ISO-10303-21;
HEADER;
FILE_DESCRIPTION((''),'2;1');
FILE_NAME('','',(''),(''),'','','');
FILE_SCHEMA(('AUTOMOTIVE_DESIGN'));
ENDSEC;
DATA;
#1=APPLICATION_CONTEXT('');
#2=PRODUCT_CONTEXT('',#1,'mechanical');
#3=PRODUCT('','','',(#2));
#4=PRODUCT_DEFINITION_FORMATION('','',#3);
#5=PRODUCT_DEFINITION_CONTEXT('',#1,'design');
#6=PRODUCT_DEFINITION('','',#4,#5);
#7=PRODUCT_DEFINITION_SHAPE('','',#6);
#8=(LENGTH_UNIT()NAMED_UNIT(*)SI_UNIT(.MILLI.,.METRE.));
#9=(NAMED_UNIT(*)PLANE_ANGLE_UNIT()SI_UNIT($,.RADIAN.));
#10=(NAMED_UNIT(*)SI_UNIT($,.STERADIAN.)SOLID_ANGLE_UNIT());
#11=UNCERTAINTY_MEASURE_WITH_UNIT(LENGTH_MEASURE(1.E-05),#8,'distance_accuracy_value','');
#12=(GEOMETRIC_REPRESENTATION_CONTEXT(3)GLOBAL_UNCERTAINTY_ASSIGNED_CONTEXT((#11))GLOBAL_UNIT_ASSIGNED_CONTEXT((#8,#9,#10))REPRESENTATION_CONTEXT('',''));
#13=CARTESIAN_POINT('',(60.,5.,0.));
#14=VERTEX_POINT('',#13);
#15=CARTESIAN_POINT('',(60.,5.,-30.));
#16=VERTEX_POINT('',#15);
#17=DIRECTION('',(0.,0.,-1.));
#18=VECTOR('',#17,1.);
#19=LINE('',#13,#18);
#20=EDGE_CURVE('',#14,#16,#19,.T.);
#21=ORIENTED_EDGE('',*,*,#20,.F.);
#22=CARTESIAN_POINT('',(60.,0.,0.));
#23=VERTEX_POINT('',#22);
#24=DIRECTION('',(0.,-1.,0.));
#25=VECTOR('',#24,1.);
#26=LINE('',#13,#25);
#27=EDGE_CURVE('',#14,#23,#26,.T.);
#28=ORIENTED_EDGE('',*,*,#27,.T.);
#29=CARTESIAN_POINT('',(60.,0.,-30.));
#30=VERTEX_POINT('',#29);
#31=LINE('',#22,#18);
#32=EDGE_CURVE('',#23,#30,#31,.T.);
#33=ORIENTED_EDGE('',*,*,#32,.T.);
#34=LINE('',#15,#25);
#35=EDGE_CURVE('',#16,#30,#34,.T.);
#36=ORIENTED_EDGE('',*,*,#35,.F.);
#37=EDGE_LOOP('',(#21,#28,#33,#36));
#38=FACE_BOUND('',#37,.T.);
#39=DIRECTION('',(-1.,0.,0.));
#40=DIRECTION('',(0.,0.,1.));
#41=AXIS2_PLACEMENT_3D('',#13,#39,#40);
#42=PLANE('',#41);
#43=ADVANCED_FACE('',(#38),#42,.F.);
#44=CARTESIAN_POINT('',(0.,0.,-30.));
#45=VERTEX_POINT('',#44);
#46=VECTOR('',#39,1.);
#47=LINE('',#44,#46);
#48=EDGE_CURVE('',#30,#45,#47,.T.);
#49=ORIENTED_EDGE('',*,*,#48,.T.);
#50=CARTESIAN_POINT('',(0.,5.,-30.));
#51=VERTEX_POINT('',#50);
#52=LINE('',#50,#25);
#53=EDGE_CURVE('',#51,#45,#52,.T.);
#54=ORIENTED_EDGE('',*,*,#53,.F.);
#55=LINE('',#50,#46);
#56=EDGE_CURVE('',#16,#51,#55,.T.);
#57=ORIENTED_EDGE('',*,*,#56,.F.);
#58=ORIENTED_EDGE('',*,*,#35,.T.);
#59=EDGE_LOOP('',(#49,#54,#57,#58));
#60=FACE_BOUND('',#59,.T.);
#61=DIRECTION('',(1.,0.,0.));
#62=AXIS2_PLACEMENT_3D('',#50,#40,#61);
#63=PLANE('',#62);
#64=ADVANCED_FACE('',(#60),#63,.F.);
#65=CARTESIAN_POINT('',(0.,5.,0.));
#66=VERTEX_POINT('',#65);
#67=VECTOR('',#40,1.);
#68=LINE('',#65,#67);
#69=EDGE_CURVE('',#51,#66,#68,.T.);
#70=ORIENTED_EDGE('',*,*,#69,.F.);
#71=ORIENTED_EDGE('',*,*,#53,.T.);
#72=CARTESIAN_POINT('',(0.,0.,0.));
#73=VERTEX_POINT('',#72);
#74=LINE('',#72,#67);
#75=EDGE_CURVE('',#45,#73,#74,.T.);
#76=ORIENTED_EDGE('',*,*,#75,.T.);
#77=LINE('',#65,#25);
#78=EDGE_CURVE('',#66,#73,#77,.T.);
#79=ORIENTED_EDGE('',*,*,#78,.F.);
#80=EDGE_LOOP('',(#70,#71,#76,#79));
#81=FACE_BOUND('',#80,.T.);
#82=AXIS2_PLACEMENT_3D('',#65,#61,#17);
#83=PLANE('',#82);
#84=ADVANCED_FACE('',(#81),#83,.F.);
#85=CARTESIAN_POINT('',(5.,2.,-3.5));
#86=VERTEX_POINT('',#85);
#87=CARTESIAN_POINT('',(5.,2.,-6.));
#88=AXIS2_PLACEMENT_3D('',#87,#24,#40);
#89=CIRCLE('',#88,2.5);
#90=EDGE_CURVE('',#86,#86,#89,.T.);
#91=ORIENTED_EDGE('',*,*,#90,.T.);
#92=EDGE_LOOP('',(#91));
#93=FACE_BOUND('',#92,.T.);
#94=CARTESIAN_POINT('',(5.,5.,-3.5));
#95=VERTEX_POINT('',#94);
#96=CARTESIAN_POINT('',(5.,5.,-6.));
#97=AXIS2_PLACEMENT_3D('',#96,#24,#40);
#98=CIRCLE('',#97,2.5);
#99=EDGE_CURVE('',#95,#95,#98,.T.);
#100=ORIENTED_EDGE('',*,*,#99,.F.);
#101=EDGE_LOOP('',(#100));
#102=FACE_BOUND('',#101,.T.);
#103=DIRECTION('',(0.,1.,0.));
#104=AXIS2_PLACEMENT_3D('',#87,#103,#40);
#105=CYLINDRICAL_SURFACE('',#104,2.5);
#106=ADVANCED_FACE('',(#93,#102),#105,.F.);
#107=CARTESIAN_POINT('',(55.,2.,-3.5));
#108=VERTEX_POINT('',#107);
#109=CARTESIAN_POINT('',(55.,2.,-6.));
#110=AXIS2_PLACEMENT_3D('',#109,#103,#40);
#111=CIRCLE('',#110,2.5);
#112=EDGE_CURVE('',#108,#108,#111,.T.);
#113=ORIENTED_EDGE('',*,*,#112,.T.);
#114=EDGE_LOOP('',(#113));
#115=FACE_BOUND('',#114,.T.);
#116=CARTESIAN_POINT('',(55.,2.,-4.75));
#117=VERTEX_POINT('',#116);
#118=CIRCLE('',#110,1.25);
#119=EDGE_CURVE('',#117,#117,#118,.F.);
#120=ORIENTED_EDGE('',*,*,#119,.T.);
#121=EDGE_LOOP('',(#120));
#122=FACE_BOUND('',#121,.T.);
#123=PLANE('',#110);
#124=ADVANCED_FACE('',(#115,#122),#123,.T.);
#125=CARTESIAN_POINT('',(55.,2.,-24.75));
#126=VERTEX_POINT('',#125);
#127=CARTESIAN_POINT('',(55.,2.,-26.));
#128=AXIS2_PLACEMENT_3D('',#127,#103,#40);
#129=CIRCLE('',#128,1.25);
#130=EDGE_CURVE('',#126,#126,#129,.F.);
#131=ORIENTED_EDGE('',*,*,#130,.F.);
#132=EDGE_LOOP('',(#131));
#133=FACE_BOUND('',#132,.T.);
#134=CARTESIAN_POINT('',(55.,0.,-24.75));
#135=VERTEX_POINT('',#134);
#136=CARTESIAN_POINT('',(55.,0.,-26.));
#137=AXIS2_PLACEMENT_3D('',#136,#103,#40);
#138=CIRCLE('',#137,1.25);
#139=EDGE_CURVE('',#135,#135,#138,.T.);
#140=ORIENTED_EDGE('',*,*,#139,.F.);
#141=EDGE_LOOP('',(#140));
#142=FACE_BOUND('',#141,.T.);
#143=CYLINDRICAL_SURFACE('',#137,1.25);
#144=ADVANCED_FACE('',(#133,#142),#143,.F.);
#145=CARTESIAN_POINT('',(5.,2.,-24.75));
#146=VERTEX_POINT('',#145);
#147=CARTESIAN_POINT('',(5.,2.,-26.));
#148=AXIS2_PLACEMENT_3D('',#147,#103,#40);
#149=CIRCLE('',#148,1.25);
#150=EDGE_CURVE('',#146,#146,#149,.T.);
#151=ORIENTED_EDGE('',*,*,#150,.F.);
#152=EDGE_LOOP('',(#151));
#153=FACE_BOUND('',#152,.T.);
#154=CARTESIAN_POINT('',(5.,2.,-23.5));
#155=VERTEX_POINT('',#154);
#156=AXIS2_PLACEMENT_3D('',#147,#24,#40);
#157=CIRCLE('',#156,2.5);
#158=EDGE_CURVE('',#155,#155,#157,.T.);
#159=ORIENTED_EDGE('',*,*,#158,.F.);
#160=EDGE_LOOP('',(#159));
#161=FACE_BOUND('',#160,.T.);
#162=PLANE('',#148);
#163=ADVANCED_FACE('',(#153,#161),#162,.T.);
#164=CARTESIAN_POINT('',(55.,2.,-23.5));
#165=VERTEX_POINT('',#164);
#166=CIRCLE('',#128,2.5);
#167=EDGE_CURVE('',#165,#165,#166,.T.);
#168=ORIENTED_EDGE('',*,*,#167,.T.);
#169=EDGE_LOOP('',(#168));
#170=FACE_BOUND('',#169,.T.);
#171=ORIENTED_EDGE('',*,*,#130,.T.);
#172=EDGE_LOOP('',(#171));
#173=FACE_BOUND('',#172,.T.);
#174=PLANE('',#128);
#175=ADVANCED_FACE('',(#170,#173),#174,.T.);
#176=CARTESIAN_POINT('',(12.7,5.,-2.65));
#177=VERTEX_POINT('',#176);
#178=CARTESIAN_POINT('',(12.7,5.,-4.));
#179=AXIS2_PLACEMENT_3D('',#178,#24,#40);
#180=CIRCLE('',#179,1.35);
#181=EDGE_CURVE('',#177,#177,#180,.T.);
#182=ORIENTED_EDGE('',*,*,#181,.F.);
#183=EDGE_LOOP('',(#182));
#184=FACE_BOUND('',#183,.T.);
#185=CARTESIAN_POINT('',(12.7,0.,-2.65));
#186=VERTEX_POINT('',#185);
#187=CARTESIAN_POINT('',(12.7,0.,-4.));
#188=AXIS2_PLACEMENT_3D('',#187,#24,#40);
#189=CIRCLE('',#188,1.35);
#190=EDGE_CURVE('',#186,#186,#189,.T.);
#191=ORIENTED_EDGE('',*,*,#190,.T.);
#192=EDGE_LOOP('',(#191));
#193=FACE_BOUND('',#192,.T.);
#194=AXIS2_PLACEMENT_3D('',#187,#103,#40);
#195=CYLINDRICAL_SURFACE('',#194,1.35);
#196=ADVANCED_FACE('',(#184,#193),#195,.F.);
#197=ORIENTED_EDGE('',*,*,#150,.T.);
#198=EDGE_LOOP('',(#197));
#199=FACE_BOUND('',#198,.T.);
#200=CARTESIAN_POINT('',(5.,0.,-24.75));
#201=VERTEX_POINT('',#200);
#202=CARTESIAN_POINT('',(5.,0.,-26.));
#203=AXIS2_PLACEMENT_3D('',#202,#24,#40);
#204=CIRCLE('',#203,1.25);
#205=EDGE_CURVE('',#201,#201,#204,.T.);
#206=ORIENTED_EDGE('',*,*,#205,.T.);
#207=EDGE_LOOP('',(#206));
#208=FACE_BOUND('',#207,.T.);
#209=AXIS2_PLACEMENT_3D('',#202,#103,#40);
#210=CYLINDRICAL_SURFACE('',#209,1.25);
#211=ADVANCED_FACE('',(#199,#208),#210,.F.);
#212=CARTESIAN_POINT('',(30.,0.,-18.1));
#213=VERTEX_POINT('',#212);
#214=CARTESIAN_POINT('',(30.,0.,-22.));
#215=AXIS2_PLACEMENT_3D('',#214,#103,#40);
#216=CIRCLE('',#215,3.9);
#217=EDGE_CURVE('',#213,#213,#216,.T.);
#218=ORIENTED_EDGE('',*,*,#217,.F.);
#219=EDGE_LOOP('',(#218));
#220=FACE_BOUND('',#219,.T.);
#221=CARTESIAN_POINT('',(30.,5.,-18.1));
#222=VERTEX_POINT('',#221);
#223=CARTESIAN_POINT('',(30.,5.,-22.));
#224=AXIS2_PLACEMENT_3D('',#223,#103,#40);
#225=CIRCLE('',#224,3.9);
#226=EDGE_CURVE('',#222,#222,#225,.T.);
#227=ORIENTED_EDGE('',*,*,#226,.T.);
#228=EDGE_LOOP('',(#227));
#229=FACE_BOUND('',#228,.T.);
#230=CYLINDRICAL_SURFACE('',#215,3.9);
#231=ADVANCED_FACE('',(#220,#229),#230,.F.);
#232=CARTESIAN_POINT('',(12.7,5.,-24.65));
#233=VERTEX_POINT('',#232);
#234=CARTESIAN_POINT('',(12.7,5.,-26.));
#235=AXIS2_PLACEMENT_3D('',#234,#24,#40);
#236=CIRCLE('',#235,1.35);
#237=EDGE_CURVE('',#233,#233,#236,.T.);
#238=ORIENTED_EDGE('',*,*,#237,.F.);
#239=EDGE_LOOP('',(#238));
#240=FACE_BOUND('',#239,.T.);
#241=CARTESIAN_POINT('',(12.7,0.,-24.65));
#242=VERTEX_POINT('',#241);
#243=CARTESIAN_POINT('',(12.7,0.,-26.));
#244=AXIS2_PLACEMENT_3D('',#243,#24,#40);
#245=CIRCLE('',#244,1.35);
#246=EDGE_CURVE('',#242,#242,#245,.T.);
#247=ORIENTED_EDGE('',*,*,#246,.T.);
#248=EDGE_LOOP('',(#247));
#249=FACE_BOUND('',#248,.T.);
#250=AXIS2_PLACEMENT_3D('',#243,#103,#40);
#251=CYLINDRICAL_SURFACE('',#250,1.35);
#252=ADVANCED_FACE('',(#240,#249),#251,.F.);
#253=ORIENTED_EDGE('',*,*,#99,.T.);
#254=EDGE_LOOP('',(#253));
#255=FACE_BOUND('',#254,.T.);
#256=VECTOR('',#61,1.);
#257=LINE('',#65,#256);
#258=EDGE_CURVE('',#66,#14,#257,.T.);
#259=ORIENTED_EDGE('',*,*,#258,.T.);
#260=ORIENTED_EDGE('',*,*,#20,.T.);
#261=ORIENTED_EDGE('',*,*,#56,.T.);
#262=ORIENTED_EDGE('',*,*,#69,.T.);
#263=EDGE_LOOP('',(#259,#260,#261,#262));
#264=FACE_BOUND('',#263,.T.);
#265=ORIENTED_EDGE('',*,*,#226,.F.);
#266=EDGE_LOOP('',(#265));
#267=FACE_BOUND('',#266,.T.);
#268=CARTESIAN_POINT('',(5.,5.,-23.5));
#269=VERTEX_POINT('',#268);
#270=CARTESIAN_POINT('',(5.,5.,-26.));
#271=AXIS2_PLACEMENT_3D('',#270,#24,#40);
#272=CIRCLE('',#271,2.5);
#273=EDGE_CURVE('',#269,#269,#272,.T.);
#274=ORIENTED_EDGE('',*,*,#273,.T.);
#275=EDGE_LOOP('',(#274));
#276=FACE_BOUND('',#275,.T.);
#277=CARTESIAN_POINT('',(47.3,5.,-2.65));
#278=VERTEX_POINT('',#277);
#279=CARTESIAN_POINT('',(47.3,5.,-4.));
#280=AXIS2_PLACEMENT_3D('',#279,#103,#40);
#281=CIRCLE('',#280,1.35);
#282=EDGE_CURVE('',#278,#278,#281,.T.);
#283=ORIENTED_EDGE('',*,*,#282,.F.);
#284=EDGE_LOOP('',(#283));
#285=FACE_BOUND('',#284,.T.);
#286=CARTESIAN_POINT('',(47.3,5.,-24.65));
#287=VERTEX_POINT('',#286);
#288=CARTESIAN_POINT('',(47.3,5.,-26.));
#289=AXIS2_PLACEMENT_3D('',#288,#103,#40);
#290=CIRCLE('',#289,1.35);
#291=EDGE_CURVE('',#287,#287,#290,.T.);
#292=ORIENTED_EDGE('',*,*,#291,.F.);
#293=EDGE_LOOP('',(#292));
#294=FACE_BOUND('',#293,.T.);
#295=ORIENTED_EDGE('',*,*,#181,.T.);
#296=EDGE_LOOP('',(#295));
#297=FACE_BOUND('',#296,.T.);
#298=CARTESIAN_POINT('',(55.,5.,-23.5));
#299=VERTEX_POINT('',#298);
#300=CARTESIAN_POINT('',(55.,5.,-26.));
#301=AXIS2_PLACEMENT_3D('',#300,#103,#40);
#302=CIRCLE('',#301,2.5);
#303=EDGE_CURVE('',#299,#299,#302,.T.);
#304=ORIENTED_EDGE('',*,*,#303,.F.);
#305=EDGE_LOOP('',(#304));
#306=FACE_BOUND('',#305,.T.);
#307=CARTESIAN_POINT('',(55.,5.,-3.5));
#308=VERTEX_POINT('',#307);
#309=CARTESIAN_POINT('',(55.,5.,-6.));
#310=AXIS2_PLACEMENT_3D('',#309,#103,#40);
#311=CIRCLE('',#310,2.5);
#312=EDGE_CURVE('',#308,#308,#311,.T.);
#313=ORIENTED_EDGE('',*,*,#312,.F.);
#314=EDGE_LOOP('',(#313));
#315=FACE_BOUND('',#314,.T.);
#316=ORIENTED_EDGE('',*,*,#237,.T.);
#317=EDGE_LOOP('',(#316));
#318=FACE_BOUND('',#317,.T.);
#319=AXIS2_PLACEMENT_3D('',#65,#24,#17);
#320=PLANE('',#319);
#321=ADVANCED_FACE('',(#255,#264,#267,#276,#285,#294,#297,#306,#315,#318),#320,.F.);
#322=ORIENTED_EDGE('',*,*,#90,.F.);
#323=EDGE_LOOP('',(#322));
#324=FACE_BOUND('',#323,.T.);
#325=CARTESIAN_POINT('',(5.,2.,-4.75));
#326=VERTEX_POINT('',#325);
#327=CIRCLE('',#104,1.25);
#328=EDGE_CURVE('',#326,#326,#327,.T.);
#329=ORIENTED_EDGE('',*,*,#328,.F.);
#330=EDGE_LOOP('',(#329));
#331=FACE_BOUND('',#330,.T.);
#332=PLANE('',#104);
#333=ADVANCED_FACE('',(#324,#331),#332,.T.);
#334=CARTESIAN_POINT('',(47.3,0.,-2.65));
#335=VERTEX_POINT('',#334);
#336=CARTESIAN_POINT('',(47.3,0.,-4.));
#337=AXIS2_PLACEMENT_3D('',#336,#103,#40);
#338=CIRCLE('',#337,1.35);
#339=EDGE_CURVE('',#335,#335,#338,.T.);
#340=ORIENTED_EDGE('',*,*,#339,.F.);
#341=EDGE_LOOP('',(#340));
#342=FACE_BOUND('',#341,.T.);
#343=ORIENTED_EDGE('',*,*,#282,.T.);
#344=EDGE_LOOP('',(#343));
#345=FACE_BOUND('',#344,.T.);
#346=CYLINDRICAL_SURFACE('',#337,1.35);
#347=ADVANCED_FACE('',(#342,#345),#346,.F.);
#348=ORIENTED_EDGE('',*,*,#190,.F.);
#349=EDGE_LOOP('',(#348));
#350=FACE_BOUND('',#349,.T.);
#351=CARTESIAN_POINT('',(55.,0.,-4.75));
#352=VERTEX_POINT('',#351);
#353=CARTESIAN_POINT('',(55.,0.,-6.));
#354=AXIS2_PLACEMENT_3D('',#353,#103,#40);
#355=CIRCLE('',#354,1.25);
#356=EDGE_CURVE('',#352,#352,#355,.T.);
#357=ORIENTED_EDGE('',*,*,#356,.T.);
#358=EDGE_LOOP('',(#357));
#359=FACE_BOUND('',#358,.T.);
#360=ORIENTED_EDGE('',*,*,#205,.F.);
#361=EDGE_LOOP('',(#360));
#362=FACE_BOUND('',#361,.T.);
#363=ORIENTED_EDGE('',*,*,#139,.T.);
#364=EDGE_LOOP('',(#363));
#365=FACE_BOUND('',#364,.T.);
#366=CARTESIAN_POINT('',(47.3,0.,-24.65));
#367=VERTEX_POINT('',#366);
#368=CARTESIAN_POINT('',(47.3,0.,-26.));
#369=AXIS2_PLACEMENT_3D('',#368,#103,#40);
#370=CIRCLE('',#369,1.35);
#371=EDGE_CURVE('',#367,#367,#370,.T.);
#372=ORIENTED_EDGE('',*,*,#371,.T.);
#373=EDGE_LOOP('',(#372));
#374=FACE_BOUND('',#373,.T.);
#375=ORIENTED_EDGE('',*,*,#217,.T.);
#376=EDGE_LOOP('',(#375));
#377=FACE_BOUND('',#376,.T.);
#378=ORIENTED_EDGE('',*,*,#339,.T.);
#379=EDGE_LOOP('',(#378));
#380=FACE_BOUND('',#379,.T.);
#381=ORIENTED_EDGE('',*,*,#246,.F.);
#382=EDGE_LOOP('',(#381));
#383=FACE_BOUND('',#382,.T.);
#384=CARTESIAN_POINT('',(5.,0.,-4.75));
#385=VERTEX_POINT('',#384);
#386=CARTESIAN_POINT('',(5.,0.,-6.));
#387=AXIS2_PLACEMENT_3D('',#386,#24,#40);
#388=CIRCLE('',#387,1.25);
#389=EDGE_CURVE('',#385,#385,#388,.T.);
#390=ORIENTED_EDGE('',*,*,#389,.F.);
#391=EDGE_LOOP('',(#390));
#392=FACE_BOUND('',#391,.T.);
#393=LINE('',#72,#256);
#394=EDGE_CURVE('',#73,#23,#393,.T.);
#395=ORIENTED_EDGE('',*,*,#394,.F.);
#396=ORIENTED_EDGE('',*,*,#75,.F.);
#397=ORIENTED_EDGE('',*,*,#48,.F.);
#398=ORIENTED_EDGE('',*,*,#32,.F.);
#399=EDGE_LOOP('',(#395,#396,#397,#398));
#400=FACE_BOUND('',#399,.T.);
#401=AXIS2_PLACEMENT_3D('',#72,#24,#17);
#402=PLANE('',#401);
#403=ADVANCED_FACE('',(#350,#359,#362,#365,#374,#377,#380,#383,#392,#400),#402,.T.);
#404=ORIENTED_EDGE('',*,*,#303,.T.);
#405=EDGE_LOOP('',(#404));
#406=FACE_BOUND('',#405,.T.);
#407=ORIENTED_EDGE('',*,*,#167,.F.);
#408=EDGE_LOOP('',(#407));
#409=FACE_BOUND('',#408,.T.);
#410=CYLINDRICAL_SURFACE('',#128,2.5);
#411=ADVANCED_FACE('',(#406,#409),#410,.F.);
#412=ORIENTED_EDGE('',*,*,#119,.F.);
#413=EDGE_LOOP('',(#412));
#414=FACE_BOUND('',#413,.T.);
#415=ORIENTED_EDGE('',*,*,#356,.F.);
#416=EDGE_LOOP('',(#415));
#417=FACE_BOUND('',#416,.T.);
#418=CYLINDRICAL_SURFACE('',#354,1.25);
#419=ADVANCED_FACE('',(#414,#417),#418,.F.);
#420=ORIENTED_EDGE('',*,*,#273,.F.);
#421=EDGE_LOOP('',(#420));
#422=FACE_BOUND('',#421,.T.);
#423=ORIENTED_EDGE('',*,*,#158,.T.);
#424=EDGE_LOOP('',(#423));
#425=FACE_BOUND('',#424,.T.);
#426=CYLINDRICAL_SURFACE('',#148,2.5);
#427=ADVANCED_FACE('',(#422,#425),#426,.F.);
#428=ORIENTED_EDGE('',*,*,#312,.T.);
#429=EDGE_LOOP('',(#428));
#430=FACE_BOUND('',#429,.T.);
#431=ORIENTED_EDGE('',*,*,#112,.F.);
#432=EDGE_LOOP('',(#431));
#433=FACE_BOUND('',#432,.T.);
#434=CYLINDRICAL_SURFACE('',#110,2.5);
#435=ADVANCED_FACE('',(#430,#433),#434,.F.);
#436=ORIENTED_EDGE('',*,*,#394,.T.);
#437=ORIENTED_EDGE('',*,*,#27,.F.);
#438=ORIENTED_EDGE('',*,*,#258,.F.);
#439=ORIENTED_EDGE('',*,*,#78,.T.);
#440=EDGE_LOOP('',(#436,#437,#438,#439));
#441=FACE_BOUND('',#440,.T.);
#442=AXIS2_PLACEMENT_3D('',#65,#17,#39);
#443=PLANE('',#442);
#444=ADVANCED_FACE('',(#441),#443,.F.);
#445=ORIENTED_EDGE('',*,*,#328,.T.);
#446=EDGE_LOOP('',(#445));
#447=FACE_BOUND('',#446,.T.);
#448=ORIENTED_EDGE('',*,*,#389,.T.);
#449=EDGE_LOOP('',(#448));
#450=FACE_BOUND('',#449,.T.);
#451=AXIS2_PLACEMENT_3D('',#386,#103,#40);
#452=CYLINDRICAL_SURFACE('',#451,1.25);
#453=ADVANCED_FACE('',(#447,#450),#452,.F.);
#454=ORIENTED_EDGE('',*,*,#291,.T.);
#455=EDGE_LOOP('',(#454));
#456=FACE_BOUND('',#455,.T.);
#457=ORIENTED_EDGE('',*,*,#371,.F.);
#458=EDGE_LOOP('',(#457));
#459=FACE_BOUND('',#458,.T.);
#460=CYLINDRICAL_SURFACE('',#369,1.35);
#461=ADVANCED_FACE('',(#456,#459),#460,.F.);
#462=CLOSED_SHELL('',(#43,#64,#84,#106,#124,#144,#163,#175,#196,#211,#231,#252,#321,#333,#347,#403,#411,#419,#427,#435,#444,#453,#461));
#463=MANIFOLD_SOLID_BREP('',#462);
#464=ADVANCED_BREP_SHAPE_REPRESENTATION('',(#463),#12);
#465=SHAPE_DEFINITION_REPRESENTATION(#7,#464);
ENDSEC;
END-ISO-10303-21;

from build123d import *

# Parameters (mm, degrees)
SKETCH1_W           = 60
SKETCH1_H           = 30
BOSS_EXTRUDE1_DEPTH = 5
SKETCH3_R           = 3.9
SKETCH3_R_2         = 1.35
CUT_EXTRUDE1_DEPTH  = 5
SKETCH4_R           = 1.25
CUT_EXTRUDE2_DEPTH  = 5
SKETCH5_R           = 2.5
CUT_EXTRUDE3_DEPTH  = 3


with BuildPart() as part:
    # Sketch1 → Boss-Extrude1 (new body)
    with BuildSketch(Plane(origin=(0, 0, 0), x_dir=(1, 0, 0), z_dir=(0, 1, 0))):
        with Locations((30, 15)):
            Rectangle(SKETCH1_W, SKETCH1_H)
    extrude(amount=BOSS_EXTRUDE1_DEPTH)

    # Sketch3 → Cut-Extrude1 (cut)
    with BuildSketch(Plane(origin=(0, 5, 0), x_dir=(1, 0, 0), z_dir=(0, 1, 0))):
        with Locations((30, 22)):
            Circle(SKETCH3_R)
        with Locations((47.3, 4)):
            Circle(SKETCH3_R_2)
        with Locations((47.3, 26)):
            Circle(SKETCH3_R_2)
    cut_extrude1 = extrude(amount=-CUT_EXTRUDE1_DEPTH, mode=Mode.SUBTRACT)

    # Mirror1: Cut-Extrude1 across plane
    add(cut_extrude1.mirror(Plane.ZY.offset(-30)), mode=Mode.SUBTRACT)

    # Sketch4 → Cut-Extrude2 (cut)
    with BuildSketch(Plane(origin=(0, 5, 0), x_dir=(1, 0, 0), z_dir=(0, 1, 0))):
        with Locations((55, 26)):
            Circle(SKETCH4_R)
        with Locations((55, 6)):
            Circle(SKETCH4_R)
    cut_extrude2 = extrude(amount=-CUT_EXTRUDE2_DEPTH, mode=Mode.SUBTRACT)

    # Mirror2: Cut-Extrude2 across plane
    add(cut_extrude2.mirror(Plane.ZY.offset(-30)), mode=Mode.SUBTRACT)

    # Sketch5 → Cut-Extrude3 (cut)
    with BuildSketch(Plane(origin=(0, 5, 0), x_dir=(1, 0, 0), z_dir=(0, 1, 0))):
        with Locations((55, 26)):
            Circle(SKETCH5_R)
        with Locations((55, 6)):
            Circle(SKETCH5_R)
    cut_extrude3 = extrude(amount=-CUT_EXTRUDE3_DEPTH, mode=Mode.SUBTRACT)

    # Mirror3: Cut-Extrude3 across plane
    add(cut_extrude3.mirror(Plane.ZY.offset(-30)), mode=Mode.SUBTRACT)


solid = part.part
